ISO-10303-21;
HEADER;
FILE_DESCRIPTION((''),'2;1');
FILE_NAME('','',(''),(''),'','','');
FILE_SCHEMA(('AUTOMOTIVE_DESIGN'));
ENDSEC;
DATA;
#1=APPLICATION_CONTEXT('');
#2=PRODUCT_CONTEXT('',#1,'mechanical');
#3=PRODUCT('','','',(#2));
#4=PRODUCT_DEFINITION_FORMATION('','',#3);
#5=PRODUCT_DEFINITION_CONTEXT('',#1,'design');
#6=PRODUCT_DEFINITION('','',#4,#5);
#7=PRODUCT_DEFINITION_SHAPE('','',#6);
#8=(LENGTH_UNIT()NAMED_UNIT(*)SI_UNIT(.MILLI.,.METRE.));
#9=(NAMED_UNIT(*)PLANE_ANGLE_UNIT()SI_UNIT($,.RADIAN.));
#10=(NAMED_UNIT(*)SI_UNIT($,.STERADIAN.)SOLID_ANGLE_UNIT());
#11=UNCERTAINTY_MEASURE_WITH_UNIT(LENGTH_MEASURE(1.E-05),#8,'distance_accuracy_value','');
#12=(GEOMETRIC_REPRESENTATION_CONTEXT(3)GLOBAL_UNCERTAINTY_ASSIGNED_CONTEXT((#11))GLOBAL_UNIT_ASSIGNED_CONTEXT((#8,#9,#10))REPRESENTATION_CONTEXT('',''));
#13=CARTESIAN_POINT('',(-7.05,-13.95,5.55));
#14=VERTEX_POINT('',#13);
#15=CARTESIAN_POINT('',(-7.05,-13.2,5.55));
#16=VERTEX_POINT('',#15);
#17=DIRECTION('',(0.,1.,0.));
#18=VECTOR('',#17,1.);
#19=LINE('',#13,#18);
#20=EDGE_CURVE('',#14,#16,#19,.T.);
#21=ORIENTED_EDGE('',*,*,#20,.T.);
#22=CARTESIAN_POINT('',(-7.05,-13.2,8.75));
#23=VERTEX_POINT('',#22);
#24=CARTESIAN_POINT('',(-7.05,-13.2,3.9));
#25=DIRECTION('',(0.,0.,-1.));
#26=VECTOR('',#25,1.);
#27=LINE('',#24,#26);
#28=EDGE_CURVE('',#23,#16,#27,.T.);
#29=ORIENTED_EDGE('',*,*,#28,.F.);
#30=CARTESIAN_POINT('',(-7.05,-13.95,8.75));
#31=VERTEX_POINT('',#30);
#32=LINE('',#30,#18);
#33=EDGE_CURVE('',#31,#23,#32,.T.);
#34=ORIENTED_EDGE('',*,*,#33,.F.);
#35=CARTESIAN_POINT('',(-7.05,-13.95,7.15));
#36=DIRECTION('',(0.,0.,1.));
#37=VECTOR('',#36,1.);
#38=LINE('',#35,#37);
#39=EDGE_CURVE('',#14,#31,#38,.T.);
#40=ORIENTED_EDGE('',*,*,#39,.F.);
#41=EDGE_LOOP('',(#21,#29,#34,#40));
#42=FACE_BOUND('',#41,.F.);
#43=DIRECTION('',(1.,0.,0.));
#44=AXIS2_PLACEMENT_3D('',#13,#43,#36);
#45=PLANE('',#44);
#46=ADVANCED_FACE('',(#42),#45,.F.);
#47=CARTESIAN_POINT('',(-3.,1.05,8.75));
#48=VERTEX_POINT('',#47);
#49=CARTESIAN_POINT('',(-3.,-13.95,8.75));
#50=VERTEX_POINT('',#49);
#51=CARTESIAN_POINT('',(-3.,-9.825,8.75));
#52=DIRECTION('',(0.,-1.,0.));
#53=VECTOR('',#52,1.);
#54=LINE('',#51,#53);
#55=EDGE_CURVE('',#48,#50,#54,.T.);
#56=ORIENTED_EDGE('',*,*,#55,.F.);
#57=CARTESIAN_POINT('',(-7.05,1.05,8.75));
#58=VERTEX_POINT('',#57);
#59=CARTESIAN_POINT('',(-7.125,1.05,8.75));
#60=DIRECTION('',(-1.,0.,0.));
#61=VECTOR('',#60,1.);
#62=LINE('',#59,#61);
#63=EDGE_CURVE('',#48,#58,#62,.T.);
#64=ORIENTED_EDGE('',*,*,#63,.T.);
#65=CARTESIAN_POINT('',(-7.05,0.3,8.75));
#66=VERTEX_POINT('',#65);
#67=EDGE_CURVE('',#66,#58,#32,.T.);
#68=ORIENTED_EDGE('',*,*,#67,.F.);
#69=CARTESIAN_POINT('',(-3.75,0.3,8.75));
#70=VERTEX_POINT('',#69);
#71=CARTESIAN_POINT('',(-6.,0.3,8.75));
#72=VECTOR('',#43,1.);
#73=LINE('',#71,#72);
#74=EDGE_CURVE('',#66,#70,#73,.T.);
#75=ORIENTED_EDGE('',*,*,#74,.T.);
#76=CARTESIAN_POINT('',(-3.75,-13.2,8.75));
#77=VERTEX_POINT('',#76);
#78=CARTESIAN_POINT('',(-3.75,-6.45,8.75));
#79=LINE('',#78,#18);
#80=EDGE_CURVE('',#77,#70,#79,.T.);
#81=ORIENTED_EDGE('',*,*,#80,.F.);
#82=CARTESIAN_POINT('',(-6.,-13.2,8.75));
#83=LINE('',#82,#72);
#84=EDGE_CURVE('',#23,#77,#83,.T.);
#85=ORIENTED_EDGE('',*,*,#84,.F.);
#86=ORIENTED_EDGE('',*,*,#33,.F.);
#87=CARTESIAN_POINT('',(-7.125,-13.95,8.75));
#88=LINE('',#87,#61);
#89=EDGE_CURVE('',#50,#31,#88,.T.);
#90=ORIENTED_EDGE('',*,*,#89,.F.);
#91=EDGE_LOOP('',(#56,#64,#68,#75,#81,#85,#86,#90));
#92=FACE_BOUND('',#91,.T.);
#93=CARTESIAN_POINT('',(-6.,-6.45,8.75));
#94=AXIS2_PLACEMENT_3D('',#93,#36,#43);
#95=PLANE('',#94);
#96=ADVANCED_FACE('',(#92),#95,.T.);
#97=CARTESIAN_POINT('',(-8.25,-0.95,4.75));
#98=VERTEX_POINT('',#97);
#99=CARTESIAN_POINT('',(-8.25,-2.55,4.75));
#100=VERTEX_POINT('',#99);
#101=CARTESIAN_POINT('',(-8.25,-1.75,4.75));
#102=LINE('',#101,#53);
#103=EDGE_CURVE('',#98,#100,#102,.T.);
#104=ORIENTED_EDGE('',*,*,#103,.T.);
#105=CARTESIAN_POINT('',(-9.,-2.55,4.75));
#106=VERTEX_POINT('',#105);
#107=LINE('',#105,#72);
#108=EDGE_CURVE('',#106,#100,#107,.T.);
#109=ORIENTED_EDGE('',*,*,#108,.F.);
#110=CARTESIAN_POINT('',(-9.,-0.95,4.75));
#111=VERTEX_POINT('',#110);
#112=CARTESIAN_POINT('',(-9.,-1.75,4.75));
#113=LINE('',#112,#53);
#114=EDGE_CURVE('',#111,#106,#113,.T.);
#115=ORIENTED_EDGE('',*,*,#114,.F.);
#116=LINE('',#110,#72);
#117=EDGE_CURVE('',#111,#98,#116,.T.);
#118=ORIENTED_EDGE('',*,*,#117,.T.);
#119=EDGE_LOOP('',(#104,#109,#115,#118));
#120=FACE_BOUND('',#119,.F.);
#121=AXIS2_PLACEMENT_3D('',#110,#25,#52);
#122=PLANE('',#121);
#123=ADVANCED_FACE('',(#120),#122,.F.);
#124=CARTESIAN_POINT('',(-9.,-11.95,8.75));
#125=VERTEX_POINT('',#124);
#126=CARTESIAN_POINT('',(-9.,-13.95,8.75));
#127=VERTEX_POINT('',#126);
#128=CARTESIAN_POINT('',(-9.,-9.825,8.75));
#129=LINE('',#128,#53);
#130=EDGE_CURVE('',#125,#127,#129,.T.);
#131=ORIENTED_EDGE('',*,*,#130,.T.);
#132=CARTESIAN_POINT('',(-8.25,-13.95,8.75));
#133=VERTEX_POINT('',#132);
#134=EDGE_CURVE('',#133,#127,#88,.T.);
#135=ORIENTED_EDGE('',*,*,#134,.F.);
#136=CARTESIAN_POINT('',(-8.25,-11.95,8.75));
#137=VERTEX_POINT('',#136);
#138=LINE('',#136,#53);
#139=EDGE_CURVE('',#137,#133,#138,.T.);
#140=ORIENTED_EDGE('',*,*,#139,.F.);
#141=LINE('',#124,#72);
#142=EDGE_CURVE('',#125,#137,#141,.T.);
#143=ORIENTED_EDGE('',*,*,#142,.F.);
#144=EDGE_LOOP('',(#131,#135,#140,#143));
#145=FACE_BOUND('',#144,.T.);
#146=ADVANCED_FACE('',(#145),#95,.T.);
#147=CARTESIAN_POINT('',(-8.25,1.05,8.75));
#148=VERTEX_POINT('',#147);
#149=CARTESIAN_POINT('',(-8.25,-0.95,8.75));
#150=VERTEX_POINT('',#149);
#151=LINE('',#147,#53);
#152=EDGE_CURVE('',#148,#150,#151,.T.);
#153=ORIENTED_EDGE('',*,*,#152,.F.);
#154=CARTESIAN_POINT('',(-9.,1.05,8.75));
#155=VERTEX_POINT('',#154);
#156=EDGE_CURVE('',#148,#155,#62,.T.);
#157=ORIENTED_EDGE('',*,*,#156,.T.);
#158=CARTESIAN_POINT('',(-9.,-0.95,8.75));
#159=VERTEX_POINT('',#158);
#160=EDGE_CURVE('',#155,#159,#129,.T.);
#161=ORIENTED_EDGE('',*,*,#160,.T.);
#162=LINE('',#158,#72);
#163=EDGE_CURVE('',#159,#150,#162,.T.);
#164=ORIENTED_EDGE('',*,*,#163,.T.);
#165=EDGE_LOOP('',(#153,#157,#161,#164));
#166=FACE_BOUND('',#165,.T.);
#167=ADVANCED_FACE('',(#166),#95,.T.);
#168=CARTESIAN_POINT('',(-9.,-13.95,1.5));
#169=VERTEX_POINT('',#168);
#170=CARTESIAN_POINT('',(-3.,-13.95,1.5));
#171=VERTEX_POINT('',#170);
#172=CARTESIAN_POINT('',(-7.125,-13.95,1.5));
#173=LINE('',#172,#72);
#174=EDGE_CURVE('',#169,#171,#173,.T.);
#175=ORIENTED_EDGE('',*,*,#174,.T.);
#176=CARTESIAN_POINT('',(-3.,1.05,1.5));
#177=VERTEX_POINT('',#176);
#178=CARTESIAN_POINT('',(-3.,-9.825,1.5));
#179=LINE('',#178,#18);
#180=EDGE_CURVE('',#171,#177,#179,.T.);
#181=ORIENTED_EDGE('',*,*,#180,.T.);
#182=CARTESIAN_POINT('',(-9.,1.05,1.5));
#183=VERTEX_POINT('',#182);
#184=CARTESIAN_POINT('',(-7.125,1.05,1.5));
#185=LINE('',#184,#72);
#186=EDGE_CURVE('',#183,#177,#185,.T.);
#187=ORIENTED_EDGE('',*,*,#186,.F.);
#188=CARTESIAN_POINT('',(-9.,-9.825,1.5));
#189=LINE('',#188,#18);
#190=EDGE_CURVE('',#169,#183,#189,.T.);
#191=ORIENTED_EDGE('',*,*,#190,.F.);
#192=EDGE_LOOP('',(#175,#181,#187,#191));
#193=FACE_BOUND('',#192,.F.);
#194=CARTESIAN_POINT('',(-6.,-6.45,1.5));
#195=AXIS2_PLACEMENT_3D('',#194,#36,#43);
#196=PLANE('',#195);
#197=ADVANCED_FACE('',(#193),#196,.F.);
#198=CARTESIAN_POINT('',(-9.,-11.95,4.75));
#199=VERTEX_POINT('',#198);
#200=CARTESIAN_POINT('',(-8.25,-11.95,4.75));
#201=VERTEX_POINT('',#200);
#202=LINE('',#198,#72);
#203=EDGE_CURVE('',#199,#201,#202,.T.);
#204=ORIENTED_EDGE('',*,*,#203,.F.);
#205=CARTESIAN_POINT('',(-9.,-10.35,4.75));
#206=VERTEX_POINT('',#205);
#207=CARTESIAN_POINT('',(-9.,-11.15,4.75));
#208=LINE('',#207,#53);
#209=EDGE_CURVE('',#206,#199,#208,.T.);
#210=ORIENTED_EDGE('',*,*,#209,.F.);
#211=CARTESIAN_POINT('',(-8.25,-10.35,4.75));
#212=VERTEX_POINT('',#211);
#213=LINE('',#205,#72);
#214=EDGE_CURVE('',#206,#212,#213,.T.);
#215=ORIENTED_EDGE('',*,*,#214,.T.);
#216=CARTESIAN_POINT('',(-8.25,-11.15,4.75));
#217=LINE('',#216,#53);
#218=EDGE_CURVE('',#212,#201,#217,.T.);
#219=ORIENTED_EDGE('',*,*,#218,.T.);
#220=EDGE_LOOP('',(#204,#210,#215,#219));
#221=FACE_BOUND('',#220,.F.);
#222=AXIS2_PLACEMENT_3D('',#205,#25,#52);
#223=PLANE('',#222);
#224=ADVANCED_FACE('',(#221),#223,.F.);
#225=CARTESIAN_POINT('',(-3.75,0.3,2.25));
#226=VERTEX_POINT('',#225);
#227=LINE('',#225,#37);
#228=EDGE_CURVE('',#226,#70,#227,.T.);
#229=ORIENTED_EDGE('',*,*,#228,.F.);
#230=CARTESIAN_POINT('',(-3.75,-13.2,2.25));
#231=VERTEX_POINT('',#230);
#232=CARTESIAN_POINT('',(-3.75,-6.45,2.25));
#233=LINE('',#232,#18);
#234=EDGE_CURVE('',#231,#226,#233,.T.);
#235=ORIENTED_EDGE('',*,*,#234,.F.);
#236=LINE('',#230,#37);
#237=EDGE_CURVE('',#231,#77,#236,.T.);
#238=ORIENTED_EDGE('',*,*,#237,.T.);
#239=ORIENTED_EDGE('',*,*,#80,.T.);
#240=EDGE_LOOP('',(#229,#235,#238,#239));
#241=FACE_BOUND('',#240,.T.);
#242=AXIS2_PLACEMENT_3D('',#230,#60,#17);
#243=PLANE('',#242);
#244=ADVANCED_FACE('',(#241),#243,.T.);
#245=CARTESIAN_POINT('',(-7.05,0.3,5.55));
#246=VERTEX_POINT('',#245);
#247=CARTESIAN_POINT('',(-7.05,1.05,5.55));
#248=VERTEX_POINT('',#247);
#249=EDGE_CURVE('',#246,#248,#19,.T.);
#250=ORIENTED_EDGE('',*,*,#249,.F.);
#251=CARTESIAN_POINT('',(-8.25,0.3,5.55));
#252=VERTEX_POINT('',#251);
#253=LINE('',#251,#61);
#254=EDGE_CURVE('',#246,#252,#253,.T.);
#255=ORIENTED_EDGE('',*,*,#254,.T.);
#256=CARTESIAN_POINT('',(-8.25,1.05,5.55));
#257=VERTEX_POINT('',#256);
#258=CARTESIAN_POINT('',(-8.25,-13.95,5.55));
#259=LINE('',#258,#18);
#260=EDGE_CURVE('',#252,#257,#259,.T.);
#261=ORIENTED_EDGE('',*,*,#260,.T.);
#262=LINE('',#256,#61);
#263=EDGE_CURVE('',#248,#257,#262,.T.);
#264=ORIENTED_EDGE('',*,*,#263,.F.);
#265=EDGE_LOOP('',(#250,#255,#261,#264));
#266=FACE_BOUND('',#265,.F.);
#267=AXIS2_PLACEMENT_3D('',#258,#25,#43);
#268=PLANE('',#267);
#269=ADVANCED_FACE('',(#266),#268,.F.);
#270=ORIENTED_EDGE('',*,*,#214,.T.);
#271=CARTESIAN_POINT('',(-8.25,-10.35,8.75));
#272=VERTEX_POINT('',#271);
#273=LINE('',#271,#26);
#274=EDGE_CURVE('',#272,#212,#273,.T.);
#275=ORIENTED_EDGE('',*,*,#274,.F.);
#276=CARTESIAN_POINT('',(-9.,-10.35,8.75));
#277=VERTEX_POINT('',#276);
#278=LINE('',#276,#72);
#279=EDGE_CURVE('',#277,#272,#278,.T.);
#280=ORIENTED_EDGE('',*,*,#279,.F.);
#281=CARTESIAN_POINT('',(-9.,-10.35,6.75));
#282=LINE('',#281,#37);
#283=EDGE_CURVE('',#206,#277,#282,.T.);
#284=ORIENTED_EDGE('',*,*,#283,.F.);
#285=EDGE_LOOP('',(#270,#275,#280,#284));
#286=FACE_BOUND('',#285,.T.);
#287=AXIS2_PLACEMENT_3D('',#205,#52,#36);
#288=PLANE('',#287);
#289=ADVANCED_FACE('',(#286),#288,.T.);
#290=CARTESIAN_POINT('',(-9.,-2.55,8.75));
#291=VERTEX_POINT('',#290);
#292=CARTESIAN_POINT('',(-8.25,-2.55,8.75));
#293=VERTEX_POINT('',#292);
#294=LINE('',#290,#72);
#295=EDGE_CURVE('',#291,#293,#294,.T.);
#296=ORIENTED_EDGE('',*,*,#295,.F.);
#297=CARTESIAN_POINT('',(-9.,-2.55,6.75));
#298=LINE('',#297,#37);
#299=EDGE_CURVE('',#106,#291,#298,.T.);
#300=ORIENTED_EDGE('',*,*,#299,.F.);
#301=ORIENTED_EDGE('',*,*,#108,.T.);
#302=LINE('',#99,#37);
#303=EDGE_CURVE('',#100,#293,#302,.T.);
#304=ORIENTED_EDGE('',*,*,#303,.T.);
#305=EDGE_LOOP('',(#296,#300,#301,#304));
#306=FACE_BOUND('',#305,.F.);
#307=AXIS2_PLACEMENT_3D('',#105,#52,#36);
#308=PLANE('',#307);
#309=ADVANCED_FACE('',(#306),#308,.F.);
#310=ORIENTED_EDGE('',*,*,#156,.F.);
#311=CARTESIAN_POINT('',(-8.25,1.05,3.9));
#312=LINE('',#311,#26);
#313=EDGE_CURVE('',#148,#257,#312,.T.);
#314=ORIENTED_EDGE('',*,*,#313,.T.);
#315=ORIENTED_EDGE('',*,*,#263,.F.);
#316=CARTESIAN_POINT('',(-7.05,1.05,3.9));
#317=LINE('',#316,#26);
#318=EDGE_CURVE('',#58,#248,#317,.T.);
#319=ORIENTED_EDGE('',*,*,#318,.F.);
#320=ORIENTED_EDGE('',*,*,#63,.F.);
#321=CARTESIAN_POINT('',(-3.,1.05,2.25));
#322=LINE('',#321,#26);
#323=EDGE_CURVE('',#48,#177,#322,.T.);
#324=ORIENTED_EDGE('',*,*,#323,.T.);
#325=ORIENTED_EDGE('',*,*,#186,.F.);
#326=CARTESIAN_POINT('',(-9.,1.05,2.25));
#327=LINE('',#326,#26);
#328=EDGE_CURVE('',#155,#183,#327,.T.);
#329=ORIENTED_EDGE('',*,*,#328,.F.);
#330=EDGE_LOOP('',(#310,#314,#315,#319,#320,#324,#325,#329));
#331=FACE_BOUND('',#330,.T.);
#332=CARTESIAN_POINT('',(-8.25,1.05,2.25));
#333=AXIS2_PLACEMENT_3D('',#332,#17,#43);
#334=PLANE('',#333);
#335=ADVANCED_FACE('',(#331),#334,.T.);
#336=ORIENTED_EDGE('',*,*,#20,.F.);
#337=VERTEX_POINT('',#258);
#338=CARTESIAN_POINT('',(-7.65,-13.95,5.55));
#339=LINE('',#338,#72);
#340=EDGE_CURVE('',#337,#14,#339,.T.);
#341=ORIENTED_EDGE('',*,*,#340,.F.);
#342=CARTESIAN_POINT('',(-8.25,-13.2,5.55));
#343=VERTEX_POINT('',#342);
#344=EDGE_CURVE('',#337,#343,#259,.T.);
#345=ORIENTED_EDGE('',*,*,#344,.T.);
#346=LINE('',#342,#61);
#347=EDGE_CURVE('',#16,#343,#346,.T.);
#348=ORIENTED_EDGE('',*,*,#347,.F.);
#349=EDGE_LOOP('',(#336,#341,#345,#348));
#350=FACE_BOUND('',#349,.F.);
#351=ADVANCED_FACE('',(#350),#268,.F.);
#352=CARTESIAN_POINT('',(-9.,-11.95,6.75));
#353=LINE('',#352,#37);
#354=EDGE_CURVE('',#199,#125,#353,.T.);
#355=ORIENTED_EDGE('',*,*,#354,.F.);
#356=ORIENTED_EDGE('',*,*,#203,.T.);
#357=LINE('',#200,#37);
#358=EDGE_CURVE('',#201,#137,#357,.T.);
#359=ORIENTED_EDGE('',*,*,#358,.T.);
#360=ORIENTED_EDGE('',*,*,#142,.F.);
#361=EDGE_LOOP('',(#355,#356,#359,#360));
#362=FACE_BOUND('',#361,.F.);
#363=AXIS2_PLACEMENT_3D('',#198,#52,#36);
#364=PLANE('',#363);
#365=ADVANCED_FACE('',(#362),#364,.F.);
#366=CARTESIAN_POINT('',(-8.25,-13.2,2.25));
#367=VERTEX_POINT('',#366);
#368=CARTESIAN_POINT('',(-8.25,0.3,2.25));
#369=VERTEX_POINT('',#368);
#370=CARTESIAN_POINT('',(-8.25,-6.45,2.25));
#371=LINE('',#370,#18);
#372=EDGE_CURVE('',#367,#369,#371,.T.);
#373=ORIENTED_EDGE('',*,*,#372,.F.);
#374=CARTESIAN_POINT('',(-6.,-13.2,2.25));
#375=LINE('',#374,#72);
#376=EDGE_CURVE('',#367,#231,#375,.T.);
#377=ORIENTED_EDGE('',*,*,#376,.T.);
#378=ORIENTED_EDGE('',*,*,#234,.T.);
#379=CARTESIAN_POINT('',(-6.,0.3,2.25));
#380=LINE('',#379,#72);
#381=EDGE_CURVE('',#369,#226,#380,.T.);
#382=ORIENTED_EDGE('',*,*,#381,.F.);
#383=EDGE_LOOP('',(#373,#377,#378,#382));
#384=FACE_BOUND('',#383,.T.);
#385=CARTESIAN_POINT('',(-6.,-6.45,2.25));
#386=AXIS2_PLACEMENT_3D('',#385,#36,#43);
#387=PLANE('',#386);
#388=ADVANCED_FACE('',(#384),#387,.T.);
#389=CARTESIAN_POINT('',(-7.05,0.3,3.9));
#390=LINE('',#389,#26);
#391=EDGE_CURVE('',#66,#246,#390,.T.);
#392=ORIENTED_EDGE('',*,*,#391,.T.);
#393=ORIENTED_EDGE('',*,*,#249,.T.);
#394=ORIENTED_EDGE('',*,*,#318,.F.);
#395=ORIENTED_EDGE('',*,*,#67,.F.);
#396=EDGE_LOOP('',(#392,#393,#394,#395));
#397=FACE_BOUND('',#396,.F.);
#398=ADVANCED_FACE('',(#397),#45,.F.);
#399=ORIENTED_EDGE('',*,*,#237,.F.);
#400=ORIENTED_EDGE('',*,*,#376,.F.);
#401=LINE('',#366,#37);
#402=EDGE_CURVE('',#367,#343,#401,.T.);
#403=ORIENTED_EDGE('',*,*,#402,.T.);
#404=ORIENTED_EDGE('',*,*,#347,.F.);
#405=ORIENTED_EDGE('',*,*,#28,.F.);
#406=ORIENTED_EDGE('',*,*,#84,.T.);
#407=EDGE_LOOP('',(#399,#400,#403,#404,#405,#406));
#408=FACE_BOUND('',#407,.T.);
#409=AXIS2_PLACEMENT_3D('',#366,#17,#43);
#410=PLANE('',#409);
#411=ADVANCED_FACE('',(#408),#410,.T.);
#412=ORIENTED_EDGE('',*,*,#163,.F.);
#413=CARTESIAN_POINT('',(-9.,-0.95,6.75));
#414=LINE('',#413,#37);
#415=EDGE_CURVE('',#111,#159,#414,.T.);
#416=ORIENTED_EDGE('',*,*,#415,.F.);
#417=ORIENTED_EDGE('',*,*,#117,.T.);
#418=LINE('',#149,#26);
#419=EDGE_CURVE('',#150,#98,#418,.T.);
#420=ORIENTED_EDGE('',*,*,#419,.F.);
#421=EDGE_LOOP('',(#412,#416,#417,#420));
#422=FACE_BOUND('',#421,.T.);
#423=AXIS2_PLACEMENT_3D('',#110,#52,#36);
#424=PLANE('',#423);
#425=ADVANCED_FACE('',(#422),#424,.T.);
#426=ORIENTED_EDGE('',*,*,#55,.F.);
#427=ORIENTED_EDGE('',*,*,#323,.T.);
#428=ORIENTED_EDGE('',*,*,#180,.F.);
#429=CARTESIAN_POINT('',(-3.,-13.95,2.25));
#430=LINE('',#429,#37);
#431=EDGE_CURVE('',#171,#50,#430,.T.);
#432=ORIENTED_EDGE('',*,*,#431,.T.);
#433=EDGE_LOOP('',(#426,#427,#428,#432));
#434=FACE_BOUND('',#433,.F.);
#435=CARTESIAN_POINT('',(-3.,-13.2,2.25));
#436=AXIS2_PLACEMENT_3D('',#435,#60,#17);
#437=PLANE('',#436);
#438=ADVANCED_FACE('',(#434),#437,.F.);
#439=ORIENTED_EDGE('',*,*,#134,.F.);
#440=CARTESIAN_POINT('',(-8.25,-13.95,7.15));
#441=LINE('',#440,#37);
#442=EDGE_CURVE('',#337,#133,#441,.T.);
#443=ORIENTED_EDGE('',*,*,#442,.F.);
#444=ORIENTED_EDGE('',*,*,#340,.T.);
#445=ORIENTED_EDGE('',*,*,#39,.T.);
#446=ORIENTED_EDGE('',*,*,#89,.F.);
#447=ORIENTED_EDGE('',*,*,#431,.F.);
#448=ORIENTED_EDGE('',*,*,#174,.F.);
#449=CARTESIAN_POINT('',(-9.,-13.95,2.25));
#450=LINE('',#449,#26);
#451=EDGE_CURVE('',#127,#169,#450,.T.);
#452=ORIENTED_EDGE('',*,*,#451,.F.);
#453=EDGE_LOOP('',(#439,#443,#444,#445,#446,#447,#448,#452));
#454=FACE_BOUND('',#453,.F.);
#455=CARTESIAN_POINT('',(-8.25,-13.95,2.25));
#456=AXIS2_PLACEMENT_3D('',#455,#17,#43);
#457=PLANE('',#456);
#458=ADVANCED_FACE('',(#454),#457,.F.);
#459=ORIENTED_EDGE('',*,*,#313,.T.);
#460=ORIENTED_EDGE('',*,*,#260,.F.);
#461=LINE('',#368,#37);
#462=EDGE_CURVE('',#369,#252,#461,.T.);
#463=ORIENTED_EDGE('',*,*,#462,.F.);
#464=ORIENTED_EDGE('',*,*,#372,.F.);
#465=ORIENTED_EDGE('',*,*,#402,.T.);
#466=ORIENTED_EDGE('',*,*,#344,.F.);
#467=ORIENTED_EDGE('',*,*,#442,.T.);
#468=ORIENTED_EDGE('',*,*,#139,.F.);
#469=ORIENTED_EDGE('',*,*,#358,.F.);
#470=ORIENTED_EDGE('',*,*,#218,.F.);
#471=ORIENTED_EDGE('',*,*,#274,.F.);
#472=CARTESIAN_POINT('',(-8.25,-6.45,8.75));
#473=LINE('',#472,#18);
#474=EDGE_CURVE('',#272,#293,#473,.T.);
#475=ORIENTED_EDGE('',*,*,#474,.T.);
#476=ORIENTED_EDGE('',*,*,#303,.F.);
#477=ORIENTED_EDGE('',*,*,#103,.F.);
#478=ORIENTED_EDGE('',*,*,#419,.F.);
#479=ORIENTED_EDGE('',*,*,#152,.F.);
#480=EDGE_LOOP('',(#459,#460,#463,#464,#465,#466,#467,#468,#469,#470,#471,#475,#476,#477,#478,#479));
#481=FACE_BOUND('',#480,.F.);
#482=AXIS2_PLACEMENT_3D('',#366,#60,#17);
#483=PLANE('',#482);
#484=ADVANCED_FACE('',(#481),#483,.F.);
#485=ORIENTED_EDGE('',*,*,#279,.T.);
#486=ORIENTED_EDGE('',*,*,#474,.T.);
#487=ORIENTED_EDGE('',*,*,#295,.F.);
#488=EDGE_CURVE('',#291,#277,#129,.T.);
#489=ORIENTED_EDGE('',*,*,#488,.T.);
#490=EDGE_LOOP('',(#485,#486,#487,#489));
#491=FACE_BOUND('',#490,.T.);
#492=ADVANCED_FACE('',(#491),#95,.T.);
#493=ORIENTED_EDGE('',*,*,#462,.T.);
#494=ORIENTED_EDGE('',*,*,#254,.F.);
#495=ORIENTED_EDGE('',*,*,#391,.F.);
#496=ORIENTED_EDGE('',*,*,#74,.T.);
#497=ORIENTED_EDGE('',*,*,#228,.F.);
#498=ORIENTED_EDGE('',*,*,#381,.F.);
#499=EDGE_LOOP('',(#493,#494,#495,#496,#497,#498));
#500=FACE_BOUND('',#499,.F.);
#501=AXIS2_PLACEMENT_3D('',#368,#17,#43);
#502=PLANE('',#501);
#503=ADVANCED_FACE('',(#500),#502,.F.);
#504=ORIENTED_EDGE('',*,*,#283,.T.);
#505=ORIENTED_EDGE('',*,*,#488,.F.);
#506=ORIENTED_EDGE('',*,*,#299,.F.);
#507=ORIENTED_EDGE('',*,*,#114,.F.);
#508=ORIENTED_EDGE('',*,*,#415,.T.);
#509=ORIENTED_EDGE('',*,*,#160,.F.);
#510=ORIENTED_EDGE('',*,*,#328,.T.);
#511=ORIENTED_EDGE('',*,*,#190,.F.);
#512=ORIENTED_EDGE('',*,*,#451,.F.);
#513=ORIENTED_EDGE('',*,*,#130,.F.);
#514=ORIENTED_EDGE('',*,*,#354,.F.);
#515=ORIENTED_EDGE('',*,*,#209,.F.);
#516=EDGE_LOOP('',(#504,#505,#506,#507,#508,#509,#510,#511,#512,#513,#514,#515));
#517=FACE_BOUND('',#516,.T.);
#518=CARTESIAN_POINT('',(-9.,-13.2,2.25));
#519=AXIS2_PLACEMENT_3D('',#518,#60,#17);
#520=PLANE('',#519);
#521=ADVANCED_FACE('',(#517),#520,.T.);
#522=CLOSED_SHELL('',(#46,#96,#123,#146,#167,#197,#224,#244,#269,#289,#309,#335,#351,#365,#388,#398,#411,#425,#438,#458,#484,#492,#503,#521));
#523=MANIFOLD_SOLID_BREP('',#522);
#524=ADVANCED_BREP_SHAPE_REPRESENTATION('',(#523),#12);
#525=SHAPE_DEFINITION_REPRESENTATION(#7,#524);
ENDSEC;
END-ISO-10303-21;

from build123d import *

# Parameters (mm, degrees)
BOX001_W        = 4.5
BOX001_H        = 13.5
BOX001_DEPTH    = 6.5
THICKNESS_T     = 0.75
SKETCH002_W     = 1.6
SKETCH002_H     = 4
POCKET001_DEPTH = 0.75
SKETCH003_W     = 1.2
SKETCH003_H     = 3.2
POCKET002_DEPTH = 15.001


with BuildPart() as part:
    # Box001 → Box001 (new body)
    with BuildSketch(Plane(origin=(-8.25, -13.2, 2.25), x_dir=(1, 0, 0), z_dir=(0, 0, 1))):
        with Locations((2.25, 6.75)):
            Rectangle(BOX001_W, BOX001_H)
    extrude(amount=BOX001_DEPTH)

    # Thickness
    thickness_openings = [part.faces().sort_by_distance(p)[0] for p in [
        (-6, -6.45, 8.75),
    ]]
    offset(amount=THICKNESS_T, openings=thickness_openings, kind=Kind.INTERSECTION)

    # Sketch002 → Pocket001 (cut)
    with BuildSketch(Plane(origin=(-9, 0, 0), x_dir=(0, -1, 0), z_dir=(-1, 0, 0))):
        with Locations((1.75, 6.75)):
            Rectangle(SKETCH002_W, SKETCH002_H)
        with Locations((11.15, 6.75)):
            Rectangle(SKETCH002_W, SKETCH002_H)
    extrude(amount=-POCKET001_DEPTH, mode=Mode.SUBTRACT)

    # Sketch003 → Pocket002 (cut, through all)
    with BuildSketch(Plane.XZ.offset(13.95)):
        with Locations((-7.65, 7.15)):
            Rectangle(SKETCH003_W, SKETCH003_H)
    extrude(amount=-POCKET002_DEPTH, mode=Mode.SUBTRACT)


solid = part.part
